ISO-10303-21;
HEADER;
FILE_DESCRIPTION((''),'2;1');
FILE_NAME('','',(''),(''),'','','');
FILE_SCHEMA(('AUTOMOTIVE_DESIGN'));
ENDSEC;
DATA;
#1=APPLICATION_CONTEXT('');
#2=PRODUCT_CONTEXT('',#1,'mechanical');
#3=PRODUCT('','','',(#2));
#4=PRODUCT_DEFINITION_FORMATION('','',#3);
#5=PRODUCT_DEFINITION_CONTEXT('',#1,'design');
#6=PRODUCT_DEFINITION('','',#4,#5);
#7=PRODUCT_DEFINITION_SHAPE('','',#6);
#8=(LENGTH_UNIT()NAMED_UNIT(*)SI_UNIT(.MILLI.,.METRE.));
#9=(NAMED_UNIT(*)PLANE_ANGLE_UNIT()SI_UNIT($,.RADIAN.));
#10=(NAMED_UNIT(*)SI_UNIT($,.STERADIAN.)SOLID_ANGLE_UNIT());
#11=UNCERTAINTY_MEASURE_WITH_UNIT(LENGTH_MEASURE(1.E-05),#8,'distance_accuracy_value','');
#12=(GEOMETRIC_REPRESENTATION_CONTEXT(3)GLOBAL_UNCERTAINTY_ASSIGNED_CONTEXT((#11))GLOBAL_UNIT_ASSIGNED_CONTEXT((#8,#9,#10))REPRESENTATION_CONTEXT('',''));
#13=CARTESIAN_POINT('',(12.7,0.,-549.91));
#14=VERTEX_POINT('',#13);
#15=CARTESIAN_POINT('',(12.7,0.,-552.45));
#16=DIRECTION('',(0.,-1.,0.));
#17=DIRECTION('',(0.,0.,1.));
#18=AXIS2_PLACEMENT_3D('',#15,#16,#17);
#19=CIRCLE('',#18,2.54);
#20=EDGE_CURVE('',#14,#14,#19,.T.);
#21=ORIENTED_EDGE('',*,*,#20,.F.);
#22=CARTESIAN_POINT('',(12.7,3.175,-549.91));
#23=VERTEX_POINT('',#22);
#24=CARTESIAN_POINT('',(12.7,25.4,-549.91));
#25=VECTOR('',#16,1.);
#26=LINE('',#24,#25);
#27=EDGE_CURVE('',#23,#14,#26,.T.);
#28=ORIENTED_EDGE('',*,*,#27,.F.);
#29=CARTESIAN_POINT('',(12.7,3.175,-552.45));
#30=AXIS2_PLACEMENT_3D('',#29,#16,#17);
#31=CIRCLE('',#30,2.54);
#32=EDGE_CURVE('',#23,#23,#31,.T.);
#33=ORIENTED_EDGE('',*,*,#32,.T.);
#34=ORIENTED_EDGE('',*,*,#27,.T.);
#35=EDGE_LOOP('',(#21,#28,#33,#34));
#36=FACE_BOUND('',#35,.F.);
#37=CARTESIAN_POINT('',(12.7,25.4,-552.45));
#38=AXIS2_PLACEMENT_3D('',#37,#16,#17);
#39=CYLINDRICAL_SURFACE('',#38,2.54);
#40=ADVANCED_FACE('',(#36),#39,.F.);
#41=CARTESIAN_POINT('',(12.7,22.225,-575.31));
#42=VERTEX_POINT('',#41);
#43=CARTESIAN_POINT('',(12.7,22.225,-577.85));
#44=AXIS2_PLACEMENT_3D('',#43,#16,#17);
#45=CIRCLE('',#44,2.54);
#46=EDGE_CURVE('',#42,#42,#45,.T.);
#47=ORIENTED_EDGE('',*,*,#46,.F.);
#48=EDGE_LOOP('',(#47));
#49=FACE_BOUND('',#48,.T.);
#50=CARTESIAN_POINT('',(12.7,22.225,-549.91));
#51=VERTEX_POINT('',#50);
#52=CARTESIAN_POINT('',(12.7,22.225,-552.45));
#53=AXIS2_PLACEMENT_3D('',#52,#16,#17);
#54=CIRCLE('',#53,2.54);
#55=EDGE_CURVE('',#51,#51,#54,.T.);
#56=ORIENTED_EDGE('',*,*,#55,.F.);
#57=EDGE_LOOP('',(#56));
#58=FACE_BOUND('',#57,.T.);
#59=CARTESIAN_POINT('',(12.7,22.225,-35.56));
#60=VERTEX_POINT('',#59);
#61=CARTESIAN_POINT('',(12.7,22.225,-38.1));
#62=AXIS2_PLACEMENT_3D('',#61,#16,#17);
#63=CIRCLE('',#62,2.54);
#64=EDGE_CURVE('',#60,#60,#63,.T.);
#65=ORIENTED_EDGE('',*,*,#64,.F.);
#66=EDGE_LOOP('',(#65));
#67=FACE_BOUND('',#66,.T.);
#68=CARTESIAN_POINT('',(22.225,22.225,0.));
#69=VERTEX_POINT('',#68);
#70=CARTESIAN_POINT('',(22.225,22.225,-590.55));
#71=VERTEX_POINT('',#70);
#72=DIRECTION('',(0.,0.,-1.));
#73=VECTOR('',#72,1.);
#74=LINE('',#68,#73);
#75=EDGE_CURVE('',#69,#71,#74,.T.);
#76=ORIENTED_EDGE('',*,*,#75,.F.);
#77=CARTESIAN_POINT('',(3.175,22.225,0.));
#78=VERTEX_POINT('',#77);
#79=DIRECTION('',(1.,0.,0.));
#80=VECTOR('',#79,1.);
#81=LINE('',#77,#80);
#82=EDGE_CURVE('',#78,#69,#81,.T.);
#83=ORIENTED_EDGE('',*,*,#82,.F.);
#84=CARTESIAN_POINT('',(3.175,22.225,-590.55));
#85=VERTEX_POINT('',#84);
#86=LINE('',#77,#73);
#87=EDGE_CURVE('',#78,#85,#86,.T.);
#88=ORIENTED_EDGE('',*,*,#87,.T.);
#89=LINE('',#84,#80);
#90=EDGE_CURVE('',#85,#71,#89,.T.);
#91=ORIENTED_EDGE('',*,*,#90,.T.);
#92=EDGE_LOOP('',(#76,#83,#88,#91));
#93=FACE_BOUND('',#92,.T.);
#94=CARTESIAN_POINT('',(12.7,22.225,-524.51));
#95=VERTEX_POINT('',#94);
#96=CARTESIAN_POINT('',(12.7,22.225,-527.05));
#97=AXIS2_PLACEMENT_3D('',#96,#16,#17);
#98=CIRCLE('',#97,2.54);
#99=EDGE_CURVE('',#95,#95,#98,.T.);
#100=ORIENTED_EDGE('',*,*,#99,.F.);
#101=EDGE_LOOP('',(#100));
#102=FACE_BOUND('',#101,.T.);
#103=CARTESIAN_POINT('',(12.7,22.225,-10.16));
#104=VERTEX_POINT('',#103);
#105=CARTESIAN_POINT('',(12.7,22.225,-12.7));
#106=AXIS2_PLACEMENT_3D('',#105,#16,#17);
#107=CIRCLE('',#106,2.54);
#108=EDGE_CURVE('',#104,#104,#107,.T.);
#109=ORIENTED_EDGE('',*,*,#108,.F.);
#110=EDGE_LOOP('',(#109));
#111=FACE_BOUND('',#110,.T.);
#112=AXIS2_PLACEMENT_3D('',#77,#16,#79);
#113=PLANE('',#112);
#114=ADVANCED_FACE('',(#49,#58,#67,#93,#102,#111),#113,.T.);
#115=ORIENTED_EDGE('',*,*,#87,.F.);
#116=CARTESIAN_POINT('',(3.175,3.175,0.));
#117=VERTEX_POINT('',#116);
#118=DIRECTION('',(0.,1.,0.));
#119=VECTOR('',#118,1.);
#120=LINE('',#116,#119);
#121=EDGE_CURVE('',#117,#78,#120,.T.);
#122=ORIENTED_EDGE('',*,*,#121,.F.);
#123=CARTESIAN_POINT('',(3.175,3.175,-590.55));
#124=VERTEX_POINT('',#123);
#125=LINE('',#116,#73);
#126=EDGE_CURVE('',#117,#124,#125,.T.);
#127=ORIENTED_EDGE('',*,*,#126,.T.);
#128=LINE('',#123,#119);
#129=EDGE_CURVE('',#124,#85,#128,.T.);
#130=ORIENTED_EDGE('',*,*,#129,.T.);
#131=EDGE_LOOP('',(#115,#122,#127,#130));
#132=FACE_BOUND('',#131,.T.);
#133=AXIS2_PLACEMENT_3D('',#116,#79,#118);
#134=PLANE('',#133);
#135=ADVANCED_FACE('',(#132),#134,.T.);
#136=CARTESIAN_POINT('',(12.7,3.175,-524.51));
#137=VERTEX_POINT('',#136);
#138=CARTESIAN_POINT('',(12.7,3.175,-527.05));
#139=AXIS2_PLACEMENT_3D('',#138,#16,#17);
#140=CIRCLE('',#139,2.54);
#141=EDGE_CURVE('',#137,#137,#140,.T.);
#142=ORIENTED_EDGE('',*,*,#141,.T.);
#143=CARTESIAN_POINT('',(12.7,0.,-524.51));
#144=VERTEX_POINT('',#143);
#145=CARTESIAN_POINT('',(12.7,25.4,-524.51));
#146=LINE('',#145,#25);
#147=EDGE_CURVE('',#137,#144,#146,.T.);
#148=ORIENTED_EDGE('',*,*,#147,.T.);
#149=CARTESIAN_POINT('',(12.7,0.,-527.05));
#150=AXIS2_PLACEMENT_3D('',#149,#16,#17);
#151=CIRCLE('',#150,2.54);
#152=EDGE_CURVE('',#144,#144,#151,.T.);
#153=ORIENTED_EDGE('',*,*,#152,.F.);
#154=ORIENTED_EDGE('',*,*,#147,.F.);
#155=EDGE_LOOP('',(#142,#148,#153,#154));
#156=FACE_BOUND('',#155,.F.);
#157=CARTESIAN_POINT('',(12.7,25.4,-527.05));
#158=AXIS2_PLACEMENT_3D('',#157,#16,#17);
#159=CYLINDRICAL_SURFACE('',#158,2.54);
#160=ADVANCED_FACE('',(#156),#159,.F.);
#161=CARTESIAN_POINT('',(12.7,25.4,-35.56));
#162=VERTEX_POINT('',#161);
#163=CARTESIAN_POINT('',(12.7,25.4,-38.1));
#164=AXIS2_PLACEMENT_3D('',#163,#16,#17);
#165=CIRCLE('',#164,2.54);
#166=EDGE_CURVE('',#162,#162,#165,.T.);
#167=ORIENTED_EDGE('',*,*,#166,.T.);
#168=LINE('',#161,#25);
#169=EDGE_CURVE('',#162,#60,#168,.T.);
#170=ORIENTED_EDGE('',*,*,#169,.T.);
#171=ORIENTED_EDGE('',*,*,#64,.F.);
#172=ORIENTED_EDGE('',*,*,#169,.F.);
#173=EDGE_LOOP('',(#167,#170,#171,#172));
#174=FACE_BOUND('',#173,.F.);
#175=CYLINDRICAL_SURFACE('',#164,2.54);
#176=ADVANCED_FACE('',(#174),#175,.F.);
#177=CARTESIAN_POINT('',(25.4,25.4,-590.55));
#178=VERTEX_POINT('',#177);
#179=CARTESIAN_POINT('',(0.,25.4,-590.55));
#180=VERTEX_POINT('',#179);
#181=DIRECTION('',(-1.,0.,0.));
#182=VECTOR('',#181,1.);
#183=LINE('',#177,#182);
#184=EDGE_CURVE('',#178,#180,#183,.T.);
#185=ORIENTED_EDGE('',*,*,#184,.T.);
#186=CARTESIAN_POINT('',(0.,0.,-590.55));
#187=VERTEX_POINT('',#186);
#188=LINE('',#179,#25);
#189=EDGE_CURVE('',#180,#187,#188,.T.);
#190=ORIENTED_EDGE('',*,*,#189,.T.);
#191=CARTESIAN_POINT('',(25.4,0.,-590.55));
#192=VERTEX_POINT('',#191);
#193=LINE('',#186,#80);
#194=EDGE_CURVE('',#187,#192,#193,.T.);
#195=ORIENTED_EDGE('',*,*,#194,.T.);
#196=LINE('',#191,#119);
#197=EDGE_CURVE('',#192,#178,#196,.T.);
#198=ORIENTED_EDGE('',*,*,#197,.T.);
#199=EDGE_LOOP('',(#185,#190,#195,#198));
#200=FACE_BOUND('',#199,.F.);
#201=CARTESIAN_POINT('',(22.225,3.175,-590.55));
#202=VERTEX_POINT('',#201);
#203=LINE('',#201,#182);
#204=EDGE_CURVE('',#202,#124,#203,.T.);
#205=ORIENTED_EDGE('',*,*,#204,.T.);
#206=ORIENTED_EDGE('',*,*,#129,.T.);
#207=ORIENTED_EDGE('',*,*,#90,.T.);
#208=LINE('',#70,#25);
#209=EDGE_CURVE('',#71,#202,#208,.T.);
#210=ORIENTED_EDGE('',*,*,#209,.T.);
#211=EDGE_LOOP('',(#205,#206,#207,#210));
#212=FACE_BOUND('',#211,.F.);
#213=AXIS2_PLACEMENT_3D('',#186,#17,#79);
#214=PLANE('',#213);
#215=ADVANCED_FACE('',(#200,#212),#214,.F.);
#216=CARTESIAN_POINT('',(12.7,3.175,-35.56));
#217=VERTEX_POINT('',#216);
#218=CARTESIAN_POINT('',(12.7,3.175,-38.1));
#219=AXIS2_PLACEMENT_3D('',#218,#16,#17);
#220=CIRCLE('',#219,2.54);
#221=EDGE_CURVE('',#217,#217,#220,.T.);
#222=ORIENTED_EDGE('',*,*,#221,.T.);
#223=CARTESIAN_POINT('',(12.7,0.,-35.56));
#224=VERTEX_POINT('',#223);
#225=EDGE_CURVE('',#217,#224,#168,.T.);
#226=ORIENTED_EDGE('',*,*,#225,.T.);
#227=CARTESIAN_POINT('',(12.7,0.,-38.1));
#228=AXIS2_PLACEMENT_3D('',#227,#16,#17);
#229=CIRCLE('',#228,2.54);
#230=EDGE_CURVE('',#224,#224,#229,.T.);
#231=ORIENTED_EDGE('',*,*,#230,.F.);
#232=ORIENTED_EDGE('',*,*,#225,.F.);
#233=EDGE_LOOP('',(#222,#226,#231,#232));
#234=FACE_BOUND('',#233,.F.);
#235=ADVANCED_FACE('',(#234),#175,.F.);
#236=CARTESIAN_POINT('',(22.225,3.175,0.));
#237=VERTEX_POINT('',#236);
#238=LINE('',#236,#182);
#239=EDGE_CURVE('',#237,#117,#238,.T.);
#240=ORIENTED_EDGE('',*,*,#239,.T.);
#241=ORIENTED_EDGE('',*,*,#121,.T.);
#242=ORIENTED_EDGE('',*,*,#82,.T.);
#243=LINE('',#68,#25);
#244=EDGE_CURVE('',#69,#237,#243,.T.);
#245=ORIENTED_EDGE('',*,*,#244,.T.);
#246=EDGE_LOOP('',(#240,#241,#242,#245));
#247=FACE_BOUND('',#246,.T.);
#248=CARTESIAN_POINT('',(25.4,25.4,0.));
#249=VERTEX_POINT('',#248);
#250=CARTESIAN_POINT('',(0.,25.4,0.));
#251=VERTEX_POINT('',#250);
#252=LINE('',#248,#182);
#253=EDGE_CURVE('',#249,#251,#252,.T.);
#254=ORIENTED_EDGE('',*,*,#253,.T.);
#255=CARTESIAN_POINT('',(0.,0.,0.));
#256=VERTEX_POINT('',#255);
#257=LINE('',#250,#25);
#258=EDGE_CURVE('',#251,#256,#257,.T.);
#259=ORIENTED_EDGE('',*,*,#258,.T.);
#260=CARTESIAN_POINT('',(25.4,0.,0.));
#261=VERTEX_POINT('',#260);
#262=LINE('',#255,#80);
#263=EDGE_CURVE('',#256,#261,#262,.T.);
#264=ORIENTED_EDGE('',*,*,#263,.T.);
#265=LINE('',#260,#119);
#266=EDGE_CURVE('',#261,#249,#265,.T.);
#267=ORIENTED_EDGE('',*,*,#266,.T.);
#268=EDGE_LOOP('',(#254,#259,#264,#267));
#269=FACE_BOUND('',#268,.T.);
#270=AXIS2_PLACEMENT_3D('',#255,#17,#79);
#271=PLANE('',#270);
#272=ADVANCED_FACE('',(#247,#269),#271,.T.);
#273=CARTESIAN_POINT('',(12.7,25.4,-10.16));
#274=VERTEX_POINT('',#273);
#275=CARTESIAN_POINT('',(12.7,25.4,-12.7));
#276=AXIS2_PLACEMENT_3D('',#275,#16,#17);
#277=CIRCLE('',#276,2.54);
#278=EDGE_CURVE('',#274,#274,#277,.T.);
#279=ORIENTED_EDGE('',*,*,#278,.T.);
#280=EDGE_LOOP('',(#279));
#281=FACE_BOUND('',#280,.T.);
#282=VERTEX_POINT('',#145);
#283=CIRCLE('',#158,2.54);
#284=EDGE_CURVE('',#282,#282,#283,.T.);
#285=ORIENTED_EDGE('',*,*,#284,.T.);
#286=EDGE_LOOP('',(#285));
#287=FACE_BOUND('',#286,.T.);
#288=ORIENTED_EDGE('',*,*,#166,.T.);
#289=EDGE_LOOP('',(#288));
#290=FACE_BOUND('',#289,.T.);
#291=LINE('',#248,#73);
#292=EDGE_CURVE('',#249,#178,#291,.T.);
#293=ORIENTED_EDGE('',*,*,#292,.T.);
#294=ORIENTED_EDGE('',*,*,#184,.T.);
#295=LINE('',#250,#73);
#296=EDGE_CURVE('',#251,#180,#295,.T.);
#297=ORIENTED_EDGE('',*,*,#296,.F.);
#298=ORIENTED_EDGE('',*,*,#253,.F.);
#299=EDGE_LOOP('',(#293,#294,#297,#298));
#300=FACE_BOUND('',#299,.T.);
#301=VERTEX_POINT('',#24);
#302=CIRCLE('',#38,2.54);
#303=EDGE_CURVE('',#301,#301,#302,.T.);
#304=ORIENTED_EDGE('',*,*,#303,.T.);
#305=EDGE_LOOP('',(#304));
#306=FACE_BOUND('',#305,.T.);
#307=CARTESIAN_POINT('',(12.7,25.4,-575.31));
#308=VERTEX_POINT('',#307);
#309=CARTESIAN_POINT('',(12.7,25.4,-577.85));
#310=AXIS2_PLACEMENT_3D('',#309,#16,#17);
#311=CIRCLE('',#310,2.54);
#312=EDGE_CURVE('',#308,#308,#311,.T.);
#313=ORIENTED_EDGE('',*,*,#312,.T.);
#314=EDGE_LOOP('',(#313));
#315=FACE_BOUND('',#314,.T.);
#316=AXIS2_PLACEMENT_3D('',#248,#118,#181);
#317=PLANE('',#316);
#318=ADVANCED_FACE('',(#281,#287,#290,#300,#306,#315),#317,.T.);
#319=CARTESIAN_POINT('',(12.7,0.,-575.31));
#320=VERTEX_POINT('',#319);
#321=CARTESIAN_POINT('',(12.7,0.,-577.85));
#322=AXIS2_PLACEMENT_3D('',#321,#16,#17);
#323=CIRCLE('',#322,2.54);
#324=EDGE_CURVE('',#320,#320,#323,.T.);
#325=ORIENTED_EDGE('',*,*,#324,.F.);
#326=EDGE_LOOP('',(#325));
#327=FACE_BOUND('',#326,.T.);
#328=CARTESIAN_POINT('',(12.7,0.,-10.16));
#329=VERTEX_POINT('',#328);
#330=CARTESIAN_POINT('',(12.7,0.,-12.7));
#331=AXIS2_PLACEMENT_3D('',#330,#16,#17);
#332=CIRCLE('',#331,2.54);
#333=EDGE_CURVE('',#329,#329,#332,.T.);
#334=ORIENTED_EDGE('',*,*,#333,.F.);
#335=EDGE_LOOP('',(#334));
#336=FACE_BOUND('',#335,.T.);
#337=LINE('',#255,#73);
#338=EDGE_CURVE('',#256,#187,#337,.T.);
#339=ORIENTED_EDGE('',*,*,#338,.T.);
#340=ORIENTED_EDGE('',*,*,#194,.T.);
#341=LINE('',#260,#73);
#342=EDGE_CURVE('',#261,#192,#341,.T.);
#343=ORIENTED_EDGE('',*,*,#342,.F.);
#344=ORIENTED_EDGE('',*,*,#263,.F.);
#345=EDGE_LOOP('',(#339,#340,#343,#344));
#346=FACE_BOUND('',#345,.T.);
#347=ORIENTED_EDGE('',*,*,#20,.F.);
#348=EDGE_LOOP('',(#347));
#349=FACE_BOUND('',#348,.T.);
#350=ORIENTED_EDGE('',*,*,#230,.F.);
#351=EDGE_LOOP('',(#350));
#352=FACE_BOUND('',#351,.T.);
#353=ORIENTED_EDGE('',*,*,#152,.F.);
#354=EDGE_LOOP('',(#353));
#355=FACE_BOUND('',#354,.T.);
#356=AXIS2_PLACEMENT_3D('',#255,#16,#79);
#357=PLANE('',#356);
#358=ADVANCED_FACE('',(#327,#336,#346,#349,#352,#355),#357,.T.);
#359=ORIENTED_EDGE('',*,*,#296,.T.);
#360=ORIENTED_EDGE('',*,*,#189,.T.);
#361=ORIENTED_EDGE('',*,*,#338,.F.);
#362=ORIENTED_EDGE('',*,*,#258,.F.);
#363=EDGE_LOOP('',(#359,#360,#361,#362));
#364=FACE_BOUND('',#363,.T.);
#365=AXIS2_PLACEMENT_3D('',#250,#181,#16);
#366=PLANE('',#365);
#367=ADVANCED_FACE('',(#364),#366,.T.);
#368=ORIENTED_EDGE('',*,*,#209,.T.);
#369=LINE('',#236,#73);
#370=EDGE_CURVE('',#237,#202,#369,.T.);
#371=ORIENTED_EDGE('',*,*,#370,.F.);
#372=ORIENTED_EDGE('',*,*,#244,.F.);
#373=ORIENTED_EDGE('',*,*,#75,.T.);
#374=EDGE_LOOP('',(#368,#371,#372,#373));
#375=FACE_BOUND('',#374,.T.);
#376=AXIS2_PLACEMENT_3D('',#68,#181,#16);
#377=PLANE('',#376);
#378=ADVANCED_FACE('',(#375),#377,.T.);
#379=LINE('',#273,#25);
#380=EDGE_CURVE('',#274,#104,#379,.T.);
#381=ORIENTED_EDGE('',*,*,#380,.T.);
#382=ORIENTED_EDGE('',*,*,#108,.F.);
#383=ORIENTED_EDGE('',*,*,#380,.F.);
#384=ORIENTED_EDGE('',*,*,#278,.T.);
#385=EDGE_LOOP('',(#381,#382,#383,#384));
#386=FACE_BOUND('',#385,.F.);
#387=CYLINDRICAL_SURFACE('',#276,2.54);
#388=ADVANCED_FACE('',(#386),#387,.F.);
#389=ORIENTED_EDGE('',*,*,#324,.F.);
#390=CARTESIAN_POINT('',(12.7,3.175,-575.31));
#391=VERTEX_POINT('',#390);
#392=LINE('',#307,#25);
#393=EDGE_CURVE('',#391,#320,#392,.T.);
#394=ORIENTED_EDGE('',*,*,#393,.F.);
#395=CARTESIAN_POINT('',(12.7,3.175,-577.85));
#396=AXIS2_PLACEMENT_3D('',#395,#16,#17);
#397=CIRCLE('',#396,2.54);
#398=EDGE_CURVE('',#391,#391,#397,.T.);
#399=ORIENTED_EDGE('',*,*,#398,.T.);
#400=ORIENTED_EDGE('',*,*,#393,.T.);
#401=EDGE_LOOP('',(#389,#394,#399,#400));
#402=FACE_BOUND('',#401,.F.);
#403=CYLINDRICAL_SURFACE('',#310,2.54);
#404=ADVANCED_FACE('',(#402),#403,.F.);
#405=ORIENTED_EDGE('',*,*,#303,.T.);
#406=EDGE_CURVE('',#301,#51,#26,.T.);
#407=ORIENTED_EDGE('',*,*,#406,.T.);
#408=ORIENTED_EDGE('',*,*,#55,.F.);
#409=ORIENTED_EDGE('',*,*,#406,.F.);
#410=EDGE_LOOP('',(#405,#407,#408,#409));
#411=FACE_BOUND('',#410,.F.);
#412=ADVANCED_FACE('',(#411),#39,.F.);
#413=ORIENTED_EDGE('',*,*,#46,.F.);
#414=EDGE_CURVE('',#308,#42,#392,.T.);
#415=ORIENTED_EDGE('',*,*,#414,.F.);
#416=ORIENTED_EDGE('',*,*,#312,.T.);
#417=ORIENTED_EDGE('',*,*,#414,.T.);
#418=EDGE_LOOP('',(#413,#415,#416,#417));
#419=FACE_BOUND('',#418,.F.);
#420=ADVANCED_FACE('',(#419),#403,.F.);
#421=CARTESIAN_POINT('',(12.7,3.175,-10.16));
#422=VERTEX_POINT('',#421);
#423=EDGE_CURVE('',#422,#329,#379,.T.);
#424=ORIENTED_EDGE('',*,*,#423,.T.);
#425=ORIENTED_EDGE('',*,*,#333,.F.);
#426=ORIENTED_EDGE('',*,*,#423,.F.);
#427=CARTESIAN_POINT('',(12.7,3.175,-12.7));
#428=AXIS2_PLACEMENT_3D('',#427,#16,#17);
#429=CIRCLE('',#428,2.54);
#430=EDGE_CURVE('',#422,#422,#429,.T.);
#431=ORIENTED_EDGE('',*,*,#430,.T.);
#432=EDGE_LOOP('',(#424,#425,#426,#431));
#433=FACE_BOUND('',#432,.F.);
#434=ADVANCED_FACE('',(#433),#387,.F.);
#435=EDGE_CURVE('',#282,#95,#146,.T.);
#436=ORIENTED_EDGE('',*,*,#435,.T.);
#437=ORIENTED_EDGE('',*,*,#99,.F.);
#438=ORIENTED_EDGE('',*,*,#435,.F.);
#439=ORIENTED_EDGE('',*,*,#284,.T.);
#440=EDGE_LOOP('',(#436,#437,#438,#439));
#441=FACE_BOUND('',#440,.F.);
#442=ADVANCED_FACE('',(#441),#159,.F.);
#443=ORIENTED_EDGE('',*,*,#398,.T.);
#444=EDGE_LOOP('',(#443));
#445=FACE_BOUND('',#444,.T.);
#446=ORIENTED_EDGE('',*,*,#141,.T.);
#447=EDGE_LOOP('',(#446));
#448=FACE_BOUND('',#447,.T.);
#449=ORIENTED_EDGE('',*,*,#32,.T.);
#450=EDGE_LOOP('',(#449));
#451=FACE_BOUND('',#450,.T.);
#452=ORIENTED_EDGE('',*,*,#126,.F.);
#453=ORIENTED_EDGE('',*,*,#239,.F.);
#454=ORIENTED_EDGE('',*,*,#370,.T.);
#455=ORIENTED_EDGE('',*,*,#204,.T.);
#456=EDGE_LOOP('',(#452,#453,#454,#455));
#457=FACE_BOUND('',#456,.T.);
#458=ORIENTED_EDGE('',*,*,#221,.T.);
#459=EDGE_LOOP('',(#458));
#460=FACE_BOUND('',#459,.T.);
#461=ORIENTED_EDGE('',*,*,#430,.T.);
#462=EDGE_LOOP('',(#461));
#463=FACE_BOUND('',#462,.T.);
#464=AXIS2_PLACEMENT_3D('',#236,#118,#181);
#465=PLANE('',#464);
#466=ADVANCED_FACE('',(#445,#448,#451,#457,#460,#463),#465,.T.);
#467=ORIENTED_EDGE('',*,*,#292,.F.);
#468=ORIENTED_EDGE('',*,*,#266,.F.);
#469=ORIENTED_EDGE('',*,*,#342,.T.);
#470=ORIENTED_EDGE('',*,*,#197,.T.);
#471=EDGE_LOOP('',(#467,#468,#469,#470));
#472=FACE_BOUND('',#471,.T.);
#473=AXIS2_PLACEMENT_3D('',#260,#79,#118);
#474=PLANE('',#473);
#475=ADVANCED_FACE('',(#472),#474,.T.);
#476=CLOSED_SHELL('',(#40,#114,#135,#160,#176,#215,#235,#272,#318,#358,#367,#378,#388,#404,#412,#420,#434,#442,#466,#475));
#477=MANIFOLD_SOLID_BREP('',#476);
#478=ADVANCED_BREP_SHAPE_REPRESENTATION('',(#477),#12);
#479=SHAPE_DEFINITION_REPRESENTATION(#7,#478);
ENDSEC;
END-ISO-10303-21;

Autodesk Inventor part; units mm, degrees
ref_plane "YZ Plane" through (0, 0, 0) normal (1, 0, 0) x (0, 1, 0)
ref_plane "XZ Plane" through (0, 0, 0) normal (0, 1, 0) x (-1, 0, 0)
ref_plane "XY Plane" through (0, 0, 0) normal (0, 0, 1) x (1, 0, 0)
sketch "Sketch1" plane through (0, 0, 0) normal (0, 0, 1) x (1, 0, 0)
  line L0 (0, 0) -> (25.4, 0)
  line L1 (25.4, 0) -> (25.4, 25.4)
  line L2 (25.4, 25.4) -> (0, 25.4)
  line L3 (0, 25.4) -> (0, 0)
  line L4 (3.175, 22.225) -> (22.225, 22.225)
  line L5 (22.225, 22.225) -> (22.225, 3.175)
  line L6 (22.225, 3.175) -> (3.175, 3.175)
  line L7 (3.175, 3.175) -> (3.175, 22.225)
  dimension "d0" = 25.4
  dimension "d1" = 25.4
  dimension "d2" = 3.175
extrude "Extrusion1" add sketch "Sketch1" against normal blind 590.55
sketch "Sketch4" plane through (0, 25.4, 0) normal (0, 1, 0) x (1, 0, 0)
  line L0 (25.4, 590.55) -> (0, 590.55) projected
  line L1 (25.4, 0) -> (0, 0) projected
  point P0 (12.7, 12.7)
  point P1 (12.7, 38.1)
  point P2 (12.7, 577.85)
  point P3 (12.7, 552.45)
  point P4 (12.7, 527.05)
  dimension "d32" = 12.7
  dimension "d33" = 25.4
  dimension "d34" = 12.7
  dimension "d35" = 25.4
  dimension "d36" = 25.4
hole "Hole4" at (12.7, 25.4, -12.7) at (12.7, 25.4, -38.1) at (12.7, 25.4, -577.85) at (12.7, 25.4, -552.45) at (12.7, 25.4, -527.05) direction (0, -1, 0) diameter 5.08 depth 25.4 tip angle 118
properties part number "new horizontall kicker thing"
